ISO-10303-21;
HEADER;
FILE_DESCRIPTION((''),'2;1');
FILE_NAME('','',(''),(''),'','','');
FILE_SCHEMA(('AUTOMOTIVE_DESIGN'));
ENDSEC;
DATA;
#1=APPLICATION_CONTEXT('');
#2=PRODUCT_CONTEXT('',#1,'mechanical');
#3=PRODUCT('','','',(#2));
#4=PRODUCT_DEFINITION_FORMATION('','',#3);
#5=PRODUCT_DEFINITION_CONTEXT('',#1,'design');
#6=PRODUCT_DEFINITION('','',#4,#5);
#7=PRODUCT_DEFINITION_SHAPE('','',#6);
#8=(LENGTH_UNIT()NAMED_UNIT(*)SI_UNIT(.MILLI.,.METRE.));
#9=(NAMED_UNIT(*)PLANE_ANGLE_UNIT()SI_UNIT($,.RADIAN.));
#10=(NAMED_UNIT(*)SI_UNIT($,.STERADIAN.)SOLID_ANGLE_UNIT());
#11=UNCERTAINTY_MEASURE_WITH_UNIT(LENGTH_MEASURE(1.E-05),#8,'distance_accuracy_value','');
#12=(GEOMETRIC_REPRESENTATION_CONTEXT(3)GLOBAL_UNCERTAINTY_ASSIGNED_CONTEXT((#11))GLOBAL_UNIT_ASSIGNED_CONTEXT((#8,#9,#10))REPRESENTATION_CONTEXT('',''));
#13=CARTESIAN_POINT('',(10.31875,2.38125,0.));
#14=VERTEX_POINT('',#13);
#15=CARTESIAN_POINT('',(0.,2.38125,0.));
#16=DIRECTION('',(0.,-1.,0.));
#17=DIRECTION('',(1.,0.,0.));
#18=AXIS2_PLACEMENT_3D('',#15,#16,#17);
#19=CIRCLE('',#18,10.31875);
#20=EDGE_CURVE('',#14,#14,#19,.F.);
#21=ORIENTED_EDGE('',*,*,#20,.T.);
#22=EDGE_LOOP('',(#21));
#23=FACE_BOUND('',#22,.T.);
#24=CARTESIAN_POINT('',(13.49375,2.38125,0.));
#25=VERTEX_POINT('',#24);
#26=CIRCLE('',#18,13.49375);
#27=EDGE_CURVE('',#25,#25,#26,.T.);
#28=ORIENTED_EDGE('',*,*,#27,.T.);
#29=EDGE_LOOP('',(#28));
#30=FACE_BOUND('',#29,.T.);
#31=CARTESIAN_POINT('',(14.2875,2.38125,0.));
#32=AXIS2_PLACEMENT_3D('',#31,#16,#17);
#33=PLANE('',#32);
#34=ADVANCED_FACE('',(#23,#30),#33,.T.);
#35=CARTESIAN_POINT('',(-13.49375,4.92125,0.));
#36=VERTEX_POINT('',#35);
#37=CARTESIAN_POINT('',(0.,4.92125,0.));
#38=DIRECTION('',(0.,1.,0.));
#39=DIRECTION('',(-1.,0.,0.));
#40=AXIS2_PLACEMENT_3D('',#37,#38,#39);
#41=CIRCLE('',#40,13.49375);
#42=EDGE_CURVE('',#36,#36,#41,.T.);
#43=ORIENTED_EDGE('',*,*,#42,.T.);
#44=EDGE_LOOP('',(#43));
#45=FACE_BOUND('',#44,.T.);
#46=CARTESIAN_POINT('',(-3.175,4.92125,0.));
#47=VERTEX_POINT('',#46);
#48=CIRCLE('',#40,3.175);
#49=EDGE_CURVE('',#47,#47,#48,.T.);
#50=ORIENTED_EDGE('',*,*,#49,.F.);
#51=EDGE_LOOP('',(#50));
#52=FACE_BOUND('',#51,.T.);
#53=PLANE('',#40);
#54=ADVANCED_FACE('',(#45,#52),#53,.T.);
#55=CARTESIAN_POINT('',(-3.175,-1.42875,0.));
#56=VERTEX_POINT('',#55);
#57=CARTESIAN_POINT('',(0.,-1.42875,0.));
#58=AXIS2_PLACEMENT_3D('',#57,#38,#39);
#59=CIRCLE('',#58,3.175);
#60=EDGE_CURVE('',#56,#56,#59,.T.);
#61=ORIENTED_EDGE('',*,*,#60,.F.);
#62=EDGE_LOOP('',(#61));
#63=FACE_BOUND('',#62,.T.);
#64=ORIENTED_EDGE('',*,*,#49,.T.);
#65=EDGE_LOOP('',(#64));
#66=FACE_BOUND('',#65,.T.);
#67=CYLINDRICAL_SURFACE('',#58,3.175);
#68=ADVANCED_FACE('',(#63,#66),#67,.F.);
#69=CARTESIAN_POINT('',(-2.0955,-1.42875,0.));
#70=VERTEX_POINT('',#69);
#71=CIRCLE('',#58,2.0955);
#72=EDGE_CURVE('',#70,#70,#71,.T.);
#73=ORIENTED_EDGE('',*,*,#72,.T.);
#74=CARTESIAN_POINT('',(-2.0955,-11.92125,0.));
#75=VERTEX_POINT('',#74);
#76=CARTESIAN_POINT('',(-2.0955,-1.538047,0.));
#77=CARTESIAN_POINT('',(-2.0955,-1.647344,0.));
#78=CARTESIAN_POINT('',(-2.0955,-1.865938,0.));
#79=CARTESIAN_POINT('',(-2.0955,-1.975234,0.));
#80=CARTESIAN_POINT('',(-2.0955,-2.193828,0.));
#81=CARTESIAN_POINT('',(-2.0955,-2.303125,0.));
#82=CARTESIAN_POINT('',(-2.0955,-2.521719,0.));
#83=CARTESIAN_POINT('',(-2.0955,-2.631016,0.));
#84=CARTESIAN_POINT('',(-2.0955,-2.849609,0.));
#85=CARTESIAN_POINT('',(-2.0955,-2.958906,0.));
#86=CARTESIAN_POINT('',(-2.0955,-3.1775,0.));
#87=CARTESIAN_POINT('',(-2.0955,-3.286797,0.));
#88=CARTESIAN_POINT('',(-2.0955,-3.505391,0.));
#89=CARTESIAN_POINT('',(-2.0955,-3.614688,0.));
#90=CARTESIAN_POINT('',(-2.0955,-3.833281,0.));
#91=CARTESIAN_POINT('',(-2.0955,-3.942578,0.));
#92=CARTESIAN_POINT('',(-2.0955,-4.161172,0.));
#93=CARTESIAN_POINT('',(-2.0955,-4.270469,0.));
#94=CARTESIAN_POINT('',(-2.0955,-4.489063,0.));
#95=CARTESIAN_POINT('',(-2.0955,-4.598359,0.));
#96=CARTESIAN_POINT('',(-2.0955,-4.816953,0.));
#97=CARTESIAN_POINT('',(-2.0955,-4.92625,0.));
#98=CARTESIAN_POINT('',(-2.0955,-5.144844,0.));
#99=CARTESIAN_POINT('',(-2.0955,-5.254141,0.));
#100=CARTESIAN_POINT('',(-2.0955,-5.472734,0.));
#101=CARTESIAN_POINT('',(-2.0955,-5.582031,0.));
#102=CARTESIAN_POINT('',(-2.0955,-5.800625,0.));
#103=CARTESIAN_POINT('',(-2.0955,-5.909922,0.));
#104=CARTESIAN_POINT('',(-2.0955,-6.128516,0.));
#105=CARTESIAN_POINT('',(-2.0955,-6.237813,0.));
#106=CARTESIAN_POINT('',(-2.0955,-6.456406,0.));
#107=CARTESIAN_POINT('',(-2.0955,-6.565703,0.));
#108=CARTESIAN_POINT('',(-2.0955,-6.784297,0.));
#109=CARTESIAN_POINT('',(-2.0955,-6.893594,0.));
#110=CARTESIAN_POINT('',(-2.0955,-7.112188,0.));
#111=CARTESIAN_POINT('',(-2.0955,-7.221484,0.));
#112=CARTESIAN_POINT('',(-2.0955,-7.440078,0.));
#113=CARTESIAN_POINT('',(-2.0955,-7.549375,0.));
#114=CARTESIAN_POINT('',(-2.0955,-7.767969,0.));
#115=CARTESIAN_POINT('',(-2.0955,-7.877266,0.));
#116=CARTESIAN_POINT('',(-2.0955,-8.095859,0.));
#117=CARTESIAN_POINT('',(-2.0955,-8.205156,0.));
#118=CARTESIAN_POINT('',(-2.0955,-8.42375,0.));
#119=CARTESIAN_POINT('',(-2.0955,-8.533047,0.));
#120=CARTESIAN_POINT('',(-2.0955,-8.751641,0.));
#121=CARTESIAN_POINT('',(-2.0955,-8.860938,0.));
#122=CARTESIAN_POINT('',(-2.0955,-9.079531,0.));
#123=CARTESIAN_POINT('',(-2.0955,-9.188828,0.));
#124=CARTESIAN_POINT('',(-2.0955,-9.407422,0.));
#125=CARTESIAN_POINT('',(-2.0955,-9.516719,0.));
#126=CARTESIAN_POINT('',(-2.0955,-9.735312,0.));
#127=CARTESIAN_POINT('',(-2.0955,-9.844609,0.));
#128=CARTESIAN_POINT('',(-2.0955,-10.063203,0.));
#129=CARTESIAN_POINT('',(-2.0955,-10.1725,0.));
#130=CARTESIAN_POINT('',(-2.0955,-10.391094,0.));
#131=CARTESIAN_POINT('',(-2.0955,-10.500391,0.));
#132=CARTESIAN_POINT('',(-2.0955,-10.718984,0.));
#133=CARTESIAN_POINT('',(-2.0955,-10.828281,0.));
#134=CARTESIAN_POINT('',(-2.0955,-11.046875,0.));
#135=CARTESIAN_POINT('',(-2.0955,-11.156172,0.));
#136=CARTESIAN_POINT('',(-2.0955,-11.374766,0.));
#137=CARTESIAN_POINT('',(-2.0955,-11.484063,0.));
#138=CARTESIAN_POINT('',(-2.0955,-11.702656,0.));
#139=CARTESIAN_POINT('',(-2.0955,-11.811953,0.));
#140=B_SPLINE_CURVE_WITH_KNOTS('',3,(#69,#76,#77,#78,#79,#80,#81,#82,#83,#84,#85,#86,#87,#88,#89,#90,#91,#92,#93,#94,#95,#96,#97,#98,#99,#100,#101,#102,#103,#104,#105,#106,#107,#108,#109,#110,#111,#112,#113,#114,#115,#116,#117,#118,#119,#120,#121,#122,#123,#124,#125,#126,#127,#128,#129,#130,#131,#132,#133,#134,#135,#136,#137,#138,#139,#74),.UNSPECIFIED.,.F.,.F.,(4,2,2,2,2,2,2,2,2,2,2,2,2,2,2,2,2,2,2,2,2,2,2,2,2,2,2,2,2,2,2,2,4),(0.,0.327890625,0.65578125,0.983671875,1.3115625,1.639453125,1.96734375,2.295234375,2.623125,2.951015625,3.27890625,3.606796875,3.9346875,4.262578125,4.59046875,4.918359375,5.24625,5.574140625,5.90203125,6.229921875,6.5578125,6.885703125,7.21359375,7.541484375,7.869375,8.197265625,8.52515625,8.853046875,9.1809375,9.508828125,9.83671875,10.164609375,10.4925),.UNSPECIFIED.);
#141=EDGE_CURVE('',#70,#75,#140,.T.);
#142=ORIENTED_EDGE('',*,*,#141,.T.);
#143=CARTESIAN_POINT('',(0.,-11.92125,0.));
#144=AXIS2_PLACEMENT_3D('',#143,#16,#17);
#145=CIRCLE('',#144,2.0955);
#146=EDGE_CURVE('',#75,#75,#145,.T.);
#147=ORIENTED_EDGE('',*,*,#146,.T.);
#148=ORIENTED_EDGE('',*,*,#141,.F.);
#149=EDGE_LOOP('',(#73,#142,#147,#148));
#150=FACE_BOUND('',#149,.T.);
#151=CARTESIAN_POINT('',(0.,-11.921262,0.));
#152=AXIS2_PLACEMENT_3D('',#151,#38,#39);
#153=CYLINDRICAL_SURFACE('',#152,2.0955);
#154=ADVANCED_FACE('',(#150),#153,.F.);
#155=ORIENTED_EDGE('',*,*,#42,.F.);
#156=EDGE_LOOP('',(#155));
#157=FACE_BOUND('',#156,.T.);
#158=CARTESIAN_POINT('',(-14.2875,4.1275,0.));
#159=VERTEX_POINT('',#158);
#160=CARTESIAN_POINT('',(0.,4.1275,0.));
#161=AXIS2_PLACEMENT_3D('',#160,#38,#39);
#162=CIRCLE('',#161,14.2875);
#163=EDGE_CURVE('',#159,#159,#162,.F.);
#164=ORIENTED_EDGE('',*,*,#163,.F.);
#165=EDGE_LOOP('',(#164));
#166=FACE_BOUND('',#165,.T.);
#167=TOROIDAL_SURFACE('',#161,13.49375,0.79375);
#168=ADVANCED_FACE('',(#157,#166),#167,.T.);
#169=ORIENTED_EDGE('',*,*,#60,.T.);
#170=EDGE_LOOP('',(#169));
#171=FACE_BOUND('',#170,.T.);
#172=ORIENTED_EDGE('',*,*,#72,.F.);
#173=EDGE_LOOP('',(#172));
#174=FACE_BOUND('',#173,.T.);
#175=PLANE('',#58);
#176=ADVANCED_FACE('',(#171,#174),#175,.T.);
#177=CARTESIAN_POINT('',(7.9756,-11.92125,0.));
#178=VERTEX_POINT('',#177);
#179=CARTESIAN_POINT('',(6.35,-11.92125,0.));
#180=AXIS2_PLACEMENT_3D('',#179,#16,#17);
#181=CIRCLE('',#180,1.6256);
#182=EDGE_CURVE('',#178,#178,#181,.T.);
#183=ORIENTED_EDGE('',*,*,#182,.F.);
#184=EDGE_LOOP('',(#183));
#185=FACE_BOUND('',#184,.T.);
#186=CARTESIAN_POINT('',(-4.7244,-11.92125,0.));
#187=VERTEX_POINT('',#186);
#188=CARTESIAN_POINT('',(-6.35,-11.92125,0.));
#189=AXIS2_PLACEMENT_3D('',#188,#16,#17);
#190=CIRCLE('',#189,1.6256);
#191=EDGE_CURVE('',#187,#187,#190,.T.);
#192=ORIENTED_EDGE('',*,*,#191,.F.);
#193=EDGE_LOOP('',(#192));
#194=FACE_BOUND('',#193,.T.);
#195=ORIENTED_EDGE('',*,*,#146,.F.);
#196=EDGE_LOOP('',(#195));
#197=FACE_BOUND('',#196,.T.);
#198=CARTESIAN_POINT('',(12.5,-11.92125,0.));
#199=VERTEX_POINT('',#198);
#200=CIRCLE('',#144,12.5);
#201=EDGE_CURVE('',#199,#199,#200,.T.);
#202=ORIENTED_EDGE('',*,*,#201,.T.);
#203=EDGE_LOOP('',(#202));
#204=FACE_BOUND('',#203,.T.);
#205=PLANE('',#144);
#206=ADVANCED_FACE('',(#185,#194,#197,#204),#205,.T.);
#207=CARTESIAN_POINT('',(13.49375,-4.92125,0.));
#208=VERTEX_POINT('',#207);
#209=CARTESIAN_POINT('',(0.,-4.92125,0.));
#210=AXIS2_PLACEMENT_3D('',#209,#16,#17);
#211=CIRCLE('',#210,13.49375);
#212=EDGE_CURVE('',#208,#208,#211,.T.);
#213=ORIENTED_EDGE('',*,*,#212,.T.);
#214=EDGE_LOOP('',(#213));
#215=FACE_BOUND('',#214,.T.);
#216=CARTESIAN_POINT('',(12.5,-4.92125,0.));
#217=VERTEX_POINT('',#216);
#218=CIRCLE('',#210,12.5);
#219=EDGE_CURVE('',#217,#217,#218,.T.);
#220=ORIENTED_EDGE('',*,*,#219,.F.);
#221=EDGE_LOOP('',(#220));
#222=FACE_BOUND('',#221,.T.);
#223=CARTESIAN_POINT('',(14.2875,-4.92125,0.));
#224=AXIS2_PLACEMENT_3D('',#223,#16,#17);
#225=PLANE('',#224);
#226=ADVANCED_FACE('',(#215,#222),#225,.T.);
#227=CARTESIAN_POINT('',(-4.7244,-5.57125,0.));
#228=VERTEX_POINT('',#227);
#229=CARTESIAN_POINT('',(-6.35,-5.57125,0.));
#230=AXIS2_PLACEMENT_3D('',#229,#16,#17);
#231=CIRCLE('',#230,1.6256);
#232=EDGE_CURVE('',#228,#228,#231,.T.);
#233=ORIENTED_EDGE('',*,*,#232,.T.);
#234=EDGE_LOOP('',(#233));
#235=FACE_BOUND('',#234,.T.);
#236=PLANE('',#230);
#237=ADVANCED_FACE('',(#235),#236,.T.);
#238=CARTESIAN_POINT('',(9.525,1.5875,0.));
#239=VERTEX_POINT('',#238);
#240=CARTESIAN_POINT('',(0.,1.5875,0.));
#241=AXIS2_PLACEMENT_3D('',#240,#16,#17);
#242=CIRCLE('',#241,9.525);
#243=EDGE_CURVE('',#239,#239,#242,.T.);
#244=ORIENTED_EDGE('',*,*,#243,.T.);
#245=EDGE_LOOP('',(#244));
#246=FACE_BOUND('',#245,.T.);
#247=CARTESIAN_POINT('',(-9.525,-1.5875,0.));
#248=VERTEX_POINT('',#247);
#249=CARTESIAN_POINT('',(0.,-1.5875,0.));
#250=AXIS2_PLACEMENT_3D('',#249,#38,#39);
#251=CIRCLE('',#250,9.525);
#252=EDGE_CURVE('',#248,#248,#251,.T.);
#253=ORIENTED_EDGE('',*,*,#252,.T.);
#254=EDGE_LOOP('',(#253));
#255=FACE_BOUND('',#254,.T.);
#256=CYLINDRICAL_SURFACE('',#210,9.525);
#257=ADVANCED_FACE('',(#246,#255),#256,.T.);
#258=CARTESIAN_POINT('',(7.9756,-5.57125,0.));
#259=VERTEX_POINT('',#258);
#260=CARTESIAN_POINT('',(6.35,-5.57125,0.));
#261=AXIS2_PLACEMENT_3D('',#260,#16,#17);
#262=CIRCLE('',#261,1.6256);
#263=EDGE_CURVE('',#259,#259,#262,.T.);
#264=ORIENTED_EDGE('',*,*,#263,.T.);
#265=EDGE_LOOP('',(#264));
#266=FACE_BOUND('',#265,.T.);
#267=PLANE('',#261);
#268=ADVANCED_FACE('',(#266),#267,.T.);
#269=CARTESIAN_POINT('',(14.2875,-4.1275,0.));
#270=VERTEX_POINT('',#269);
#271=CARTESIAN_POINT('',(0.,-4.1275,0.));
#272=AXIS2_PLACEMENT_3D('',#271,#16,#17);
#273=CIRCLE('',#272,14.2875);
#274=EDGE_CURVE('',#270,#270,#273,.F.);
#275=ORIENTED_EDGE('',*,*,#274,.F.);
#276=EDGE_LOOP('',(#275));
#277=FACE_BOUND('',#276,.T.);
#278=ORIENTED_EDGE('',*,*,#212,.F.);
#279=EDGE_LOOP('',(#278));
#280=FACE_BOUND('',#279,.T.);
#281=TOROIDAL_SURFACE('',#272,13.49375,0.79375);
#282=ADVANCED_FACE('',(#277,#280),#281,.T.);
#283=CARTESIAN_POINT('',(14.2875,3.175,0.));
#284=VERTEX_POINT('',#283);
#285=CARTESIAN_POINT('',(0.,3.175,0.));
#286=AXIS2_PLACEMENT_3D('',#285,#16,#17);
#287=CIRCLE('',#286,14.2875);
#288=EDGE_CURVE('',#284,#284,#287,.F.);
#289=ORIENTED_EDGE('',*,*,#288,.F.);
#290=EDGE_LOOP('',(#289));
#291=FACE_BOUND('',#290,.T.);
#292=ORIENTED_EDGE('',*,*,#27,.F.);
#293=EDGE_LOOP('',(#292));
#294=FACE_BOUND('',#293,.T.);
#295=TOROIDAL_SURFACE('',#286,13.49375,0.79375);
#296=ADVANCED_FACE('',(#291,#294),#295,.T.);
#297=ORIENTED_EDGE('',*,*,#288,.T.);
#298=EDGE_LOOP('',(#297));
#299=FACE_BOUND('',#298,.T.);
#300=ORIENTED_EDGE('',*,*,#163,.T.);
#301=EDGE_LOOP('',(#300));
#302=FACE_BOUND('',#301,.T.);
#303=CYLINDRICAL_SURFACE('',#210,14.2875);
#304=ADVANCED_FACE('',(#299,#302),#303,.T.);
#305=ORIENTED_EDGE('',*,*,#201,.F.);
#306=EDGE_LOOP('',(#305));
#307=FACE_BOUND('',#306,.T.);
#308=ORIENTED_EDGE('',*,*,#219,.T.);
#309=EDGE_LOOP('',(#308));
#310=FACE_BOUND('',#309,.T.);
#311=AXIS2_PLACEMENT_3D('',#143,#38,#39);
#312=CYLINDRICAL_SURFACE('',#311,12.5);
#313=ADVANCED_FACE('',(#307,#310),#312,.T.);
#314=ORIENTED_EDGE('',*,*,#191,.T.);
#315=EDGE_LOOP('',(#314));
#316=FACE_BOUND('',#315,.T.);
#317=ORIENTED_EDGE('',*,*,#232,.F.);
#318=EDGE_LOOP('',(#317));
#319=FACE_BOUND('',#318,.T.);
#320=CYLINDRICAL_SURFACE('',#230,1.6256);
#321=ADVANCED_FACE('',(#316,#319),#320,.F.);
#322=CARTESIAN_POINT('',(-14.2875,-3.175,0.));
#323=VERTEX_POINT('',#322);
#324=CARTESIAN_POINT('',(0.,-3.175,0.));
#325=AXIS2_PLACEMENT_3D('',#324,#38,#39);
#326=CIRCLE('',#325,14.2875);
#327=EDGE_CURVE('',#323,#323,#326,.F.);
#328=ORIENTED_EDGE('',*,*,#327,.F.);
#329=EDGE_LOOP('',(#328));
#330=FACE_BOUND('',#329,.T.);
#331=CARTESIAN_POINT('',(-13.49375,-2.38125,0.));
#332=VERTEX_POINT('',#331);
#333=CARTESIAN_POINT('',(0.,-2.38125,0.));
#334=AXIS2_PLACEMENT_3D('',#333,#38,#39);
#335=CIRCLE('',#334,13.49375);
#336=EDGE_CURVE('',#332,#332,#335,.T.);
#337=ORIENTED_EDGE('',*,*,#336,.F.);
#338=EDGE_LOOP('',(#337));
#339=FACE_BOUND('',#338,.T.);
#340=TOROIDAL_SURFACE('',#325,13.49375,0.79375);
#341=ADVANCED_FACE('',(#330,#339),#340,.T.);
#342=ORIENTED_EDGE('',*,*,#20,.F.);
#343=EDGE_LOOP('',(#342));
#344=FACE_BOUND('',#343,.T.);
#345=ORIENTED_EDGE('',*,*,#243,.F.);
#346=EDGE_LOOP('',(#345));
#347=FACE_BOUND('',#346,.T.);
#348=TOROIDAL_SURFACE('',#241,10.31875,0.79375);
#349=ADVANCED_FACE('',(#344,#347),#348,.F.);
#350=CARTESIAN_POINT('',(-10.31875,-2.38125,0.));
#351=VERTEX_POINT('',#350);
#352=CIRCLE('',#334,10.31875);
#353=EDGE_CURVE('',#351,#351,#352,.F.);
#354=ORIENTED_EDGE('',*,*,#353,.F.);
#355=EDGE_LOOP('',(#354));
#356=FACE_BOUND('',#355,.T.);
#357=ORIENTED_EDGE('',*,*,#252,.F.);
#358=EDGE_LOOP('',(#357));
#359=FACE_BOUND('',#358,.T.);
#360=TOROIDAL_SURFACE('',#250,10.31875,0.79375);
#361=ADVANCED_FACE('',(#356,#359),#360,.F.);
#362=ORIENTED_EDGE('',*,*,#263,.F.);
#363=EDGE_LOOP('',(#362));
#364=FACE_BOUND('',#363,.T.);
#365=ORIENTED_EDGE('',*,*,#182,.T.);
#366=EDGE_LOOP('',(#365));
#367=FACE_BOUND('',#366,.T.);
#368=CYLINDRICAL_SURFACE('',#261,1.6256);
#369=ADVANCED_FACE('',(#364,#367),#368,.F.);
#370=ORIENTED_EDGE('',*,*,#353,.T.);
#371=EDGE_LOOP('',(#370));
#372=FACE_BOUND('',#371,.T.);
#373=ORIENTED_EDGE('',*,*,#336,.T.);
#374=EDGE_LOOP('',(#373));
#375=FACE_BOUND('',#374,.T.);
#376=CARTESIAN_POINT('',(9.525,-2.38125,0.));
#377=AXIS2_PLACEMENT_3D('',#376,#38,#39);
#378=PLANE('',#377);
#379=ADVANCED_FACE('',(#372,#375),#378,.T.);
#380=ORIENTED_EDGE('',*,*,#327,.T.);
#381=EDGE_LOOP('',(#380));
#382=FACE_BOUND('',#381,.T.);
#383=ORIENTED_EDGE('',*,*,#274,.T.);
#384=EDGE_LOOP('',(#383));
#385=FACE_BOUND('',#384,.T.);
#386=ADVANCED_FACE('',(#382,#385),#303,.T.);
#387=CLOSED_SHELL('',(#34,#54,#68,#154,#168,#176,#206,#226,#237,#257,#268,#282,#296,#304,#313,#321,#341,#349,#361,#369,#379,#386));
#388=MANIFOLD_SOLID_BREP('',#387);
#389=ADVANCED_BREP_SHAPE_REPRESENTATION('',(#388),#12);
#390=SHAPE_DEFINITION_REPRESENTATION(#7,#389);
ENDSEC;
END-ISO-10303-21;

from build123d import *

# Parameters (mm, degrees)
FILLET1_R               = 0.79375
SKETCH3_R               = 3.175
CUT_EXTRUDE1_DEPTH      = 6.35
SKETCH6_R               = 12.5
BOSS_EXTRUDE1_DEPTH     = 7
CUT_EXTRUDE2_DEPTH      = 27.304659694
CUT_EXTRUDE2_DEPTH_BACK = 27.304659694
SKETCH4_R               = 2.0955
SKETCH5_R               = 1.6256
CUT_EXTRUDE3_DEPTH      = 6.35


with BuildPart() as part:
    # Sketch2 → Revolve1 (revolve)
    with BuildSketch(Plane.XY):
        Polygon((0, 4.92125), (14.2875, 4.92125), (14.2875, 2.38125), (9.525, 2.38125), (9.525, -2.38125), (14.2875, -2.38125), (14.2875, -4.92125), (0, -4.92125), align=None)
    revolve(axis=Axis((0, -4.92125, 0), (0, 1, 0)))

    # Fillet1
    fillet1_edges = [part.edges().sort_by_distance(p)[0] for p in [
        (-14.2875, 2.38125, 0),
        (-14.2875, 4.92125, 0),
        (-14.2875, -4.92125, 0),
        (-14.2875, -2.38125, 0),
        (-9.525, -2.38125, 0),
        (-9.525, 2.38125, 0),
    ]]
    fillet(fillet1_edges, radius=FILLET1_R)

    # Sketch3 → Cut-Extrude1 (cut)
    with BuildSketch(Plane(origin=(0, 4.92125, 0), x_dir=(1, 0, 0), z_dir=(0, 1, 0))):
        with Locations(Location((0, 0, 0), (0, 0, 180))):
            Circle(SKETCH3_R)
    extrude(amount=-CUT_EXTRUDE1_DEPTH, mode=Mode.SUBTRACT)

    # Sketch6 → Boss-Extrude1 (add)
    with BuildSketch(Plane.XZ.offset(4.92125)):
        Circle(SKETCH6_R)
    extrude(amount=BOSS_EXTRUDE1_DEPTH)

    # Sketch4 → Cut-Extrude2 (cut, two sides: drawn at the far end of the back side and taken through both)
    with BuildSketch(Plane(origin=(0, -11.92125, 0), x_dir=(1, 0, 0), z_dir=(0, 1, 0)).offset(-CUT_EXTRUDE2_DEPTH_BACK)):
        with Locations(Location((0, 0, 0), (0, 0, 180))):
            Circle(SKETCH4_R)
    extrude(amount=CUT_EXTRUDE2_DEPTH + CUT_EXTRUDE2_DEPTH_BACK, mode=Mode.SUBTRACT)

    # Sketch5 → Cut-Extrude3 (cut)
    with BuildSketch(Plane.XZ.offset(11.92125)):
        with Locations((-6.35, 0)):
            Circle(SKETCH5_R)
        with Locations((6.35, 0)):
            Circle(SKETCH5_R)
    extrude(amount=-CUT_EXTRUDE3_DEPTH, mode=Mode.SUBTRACT)


solid = part.part
